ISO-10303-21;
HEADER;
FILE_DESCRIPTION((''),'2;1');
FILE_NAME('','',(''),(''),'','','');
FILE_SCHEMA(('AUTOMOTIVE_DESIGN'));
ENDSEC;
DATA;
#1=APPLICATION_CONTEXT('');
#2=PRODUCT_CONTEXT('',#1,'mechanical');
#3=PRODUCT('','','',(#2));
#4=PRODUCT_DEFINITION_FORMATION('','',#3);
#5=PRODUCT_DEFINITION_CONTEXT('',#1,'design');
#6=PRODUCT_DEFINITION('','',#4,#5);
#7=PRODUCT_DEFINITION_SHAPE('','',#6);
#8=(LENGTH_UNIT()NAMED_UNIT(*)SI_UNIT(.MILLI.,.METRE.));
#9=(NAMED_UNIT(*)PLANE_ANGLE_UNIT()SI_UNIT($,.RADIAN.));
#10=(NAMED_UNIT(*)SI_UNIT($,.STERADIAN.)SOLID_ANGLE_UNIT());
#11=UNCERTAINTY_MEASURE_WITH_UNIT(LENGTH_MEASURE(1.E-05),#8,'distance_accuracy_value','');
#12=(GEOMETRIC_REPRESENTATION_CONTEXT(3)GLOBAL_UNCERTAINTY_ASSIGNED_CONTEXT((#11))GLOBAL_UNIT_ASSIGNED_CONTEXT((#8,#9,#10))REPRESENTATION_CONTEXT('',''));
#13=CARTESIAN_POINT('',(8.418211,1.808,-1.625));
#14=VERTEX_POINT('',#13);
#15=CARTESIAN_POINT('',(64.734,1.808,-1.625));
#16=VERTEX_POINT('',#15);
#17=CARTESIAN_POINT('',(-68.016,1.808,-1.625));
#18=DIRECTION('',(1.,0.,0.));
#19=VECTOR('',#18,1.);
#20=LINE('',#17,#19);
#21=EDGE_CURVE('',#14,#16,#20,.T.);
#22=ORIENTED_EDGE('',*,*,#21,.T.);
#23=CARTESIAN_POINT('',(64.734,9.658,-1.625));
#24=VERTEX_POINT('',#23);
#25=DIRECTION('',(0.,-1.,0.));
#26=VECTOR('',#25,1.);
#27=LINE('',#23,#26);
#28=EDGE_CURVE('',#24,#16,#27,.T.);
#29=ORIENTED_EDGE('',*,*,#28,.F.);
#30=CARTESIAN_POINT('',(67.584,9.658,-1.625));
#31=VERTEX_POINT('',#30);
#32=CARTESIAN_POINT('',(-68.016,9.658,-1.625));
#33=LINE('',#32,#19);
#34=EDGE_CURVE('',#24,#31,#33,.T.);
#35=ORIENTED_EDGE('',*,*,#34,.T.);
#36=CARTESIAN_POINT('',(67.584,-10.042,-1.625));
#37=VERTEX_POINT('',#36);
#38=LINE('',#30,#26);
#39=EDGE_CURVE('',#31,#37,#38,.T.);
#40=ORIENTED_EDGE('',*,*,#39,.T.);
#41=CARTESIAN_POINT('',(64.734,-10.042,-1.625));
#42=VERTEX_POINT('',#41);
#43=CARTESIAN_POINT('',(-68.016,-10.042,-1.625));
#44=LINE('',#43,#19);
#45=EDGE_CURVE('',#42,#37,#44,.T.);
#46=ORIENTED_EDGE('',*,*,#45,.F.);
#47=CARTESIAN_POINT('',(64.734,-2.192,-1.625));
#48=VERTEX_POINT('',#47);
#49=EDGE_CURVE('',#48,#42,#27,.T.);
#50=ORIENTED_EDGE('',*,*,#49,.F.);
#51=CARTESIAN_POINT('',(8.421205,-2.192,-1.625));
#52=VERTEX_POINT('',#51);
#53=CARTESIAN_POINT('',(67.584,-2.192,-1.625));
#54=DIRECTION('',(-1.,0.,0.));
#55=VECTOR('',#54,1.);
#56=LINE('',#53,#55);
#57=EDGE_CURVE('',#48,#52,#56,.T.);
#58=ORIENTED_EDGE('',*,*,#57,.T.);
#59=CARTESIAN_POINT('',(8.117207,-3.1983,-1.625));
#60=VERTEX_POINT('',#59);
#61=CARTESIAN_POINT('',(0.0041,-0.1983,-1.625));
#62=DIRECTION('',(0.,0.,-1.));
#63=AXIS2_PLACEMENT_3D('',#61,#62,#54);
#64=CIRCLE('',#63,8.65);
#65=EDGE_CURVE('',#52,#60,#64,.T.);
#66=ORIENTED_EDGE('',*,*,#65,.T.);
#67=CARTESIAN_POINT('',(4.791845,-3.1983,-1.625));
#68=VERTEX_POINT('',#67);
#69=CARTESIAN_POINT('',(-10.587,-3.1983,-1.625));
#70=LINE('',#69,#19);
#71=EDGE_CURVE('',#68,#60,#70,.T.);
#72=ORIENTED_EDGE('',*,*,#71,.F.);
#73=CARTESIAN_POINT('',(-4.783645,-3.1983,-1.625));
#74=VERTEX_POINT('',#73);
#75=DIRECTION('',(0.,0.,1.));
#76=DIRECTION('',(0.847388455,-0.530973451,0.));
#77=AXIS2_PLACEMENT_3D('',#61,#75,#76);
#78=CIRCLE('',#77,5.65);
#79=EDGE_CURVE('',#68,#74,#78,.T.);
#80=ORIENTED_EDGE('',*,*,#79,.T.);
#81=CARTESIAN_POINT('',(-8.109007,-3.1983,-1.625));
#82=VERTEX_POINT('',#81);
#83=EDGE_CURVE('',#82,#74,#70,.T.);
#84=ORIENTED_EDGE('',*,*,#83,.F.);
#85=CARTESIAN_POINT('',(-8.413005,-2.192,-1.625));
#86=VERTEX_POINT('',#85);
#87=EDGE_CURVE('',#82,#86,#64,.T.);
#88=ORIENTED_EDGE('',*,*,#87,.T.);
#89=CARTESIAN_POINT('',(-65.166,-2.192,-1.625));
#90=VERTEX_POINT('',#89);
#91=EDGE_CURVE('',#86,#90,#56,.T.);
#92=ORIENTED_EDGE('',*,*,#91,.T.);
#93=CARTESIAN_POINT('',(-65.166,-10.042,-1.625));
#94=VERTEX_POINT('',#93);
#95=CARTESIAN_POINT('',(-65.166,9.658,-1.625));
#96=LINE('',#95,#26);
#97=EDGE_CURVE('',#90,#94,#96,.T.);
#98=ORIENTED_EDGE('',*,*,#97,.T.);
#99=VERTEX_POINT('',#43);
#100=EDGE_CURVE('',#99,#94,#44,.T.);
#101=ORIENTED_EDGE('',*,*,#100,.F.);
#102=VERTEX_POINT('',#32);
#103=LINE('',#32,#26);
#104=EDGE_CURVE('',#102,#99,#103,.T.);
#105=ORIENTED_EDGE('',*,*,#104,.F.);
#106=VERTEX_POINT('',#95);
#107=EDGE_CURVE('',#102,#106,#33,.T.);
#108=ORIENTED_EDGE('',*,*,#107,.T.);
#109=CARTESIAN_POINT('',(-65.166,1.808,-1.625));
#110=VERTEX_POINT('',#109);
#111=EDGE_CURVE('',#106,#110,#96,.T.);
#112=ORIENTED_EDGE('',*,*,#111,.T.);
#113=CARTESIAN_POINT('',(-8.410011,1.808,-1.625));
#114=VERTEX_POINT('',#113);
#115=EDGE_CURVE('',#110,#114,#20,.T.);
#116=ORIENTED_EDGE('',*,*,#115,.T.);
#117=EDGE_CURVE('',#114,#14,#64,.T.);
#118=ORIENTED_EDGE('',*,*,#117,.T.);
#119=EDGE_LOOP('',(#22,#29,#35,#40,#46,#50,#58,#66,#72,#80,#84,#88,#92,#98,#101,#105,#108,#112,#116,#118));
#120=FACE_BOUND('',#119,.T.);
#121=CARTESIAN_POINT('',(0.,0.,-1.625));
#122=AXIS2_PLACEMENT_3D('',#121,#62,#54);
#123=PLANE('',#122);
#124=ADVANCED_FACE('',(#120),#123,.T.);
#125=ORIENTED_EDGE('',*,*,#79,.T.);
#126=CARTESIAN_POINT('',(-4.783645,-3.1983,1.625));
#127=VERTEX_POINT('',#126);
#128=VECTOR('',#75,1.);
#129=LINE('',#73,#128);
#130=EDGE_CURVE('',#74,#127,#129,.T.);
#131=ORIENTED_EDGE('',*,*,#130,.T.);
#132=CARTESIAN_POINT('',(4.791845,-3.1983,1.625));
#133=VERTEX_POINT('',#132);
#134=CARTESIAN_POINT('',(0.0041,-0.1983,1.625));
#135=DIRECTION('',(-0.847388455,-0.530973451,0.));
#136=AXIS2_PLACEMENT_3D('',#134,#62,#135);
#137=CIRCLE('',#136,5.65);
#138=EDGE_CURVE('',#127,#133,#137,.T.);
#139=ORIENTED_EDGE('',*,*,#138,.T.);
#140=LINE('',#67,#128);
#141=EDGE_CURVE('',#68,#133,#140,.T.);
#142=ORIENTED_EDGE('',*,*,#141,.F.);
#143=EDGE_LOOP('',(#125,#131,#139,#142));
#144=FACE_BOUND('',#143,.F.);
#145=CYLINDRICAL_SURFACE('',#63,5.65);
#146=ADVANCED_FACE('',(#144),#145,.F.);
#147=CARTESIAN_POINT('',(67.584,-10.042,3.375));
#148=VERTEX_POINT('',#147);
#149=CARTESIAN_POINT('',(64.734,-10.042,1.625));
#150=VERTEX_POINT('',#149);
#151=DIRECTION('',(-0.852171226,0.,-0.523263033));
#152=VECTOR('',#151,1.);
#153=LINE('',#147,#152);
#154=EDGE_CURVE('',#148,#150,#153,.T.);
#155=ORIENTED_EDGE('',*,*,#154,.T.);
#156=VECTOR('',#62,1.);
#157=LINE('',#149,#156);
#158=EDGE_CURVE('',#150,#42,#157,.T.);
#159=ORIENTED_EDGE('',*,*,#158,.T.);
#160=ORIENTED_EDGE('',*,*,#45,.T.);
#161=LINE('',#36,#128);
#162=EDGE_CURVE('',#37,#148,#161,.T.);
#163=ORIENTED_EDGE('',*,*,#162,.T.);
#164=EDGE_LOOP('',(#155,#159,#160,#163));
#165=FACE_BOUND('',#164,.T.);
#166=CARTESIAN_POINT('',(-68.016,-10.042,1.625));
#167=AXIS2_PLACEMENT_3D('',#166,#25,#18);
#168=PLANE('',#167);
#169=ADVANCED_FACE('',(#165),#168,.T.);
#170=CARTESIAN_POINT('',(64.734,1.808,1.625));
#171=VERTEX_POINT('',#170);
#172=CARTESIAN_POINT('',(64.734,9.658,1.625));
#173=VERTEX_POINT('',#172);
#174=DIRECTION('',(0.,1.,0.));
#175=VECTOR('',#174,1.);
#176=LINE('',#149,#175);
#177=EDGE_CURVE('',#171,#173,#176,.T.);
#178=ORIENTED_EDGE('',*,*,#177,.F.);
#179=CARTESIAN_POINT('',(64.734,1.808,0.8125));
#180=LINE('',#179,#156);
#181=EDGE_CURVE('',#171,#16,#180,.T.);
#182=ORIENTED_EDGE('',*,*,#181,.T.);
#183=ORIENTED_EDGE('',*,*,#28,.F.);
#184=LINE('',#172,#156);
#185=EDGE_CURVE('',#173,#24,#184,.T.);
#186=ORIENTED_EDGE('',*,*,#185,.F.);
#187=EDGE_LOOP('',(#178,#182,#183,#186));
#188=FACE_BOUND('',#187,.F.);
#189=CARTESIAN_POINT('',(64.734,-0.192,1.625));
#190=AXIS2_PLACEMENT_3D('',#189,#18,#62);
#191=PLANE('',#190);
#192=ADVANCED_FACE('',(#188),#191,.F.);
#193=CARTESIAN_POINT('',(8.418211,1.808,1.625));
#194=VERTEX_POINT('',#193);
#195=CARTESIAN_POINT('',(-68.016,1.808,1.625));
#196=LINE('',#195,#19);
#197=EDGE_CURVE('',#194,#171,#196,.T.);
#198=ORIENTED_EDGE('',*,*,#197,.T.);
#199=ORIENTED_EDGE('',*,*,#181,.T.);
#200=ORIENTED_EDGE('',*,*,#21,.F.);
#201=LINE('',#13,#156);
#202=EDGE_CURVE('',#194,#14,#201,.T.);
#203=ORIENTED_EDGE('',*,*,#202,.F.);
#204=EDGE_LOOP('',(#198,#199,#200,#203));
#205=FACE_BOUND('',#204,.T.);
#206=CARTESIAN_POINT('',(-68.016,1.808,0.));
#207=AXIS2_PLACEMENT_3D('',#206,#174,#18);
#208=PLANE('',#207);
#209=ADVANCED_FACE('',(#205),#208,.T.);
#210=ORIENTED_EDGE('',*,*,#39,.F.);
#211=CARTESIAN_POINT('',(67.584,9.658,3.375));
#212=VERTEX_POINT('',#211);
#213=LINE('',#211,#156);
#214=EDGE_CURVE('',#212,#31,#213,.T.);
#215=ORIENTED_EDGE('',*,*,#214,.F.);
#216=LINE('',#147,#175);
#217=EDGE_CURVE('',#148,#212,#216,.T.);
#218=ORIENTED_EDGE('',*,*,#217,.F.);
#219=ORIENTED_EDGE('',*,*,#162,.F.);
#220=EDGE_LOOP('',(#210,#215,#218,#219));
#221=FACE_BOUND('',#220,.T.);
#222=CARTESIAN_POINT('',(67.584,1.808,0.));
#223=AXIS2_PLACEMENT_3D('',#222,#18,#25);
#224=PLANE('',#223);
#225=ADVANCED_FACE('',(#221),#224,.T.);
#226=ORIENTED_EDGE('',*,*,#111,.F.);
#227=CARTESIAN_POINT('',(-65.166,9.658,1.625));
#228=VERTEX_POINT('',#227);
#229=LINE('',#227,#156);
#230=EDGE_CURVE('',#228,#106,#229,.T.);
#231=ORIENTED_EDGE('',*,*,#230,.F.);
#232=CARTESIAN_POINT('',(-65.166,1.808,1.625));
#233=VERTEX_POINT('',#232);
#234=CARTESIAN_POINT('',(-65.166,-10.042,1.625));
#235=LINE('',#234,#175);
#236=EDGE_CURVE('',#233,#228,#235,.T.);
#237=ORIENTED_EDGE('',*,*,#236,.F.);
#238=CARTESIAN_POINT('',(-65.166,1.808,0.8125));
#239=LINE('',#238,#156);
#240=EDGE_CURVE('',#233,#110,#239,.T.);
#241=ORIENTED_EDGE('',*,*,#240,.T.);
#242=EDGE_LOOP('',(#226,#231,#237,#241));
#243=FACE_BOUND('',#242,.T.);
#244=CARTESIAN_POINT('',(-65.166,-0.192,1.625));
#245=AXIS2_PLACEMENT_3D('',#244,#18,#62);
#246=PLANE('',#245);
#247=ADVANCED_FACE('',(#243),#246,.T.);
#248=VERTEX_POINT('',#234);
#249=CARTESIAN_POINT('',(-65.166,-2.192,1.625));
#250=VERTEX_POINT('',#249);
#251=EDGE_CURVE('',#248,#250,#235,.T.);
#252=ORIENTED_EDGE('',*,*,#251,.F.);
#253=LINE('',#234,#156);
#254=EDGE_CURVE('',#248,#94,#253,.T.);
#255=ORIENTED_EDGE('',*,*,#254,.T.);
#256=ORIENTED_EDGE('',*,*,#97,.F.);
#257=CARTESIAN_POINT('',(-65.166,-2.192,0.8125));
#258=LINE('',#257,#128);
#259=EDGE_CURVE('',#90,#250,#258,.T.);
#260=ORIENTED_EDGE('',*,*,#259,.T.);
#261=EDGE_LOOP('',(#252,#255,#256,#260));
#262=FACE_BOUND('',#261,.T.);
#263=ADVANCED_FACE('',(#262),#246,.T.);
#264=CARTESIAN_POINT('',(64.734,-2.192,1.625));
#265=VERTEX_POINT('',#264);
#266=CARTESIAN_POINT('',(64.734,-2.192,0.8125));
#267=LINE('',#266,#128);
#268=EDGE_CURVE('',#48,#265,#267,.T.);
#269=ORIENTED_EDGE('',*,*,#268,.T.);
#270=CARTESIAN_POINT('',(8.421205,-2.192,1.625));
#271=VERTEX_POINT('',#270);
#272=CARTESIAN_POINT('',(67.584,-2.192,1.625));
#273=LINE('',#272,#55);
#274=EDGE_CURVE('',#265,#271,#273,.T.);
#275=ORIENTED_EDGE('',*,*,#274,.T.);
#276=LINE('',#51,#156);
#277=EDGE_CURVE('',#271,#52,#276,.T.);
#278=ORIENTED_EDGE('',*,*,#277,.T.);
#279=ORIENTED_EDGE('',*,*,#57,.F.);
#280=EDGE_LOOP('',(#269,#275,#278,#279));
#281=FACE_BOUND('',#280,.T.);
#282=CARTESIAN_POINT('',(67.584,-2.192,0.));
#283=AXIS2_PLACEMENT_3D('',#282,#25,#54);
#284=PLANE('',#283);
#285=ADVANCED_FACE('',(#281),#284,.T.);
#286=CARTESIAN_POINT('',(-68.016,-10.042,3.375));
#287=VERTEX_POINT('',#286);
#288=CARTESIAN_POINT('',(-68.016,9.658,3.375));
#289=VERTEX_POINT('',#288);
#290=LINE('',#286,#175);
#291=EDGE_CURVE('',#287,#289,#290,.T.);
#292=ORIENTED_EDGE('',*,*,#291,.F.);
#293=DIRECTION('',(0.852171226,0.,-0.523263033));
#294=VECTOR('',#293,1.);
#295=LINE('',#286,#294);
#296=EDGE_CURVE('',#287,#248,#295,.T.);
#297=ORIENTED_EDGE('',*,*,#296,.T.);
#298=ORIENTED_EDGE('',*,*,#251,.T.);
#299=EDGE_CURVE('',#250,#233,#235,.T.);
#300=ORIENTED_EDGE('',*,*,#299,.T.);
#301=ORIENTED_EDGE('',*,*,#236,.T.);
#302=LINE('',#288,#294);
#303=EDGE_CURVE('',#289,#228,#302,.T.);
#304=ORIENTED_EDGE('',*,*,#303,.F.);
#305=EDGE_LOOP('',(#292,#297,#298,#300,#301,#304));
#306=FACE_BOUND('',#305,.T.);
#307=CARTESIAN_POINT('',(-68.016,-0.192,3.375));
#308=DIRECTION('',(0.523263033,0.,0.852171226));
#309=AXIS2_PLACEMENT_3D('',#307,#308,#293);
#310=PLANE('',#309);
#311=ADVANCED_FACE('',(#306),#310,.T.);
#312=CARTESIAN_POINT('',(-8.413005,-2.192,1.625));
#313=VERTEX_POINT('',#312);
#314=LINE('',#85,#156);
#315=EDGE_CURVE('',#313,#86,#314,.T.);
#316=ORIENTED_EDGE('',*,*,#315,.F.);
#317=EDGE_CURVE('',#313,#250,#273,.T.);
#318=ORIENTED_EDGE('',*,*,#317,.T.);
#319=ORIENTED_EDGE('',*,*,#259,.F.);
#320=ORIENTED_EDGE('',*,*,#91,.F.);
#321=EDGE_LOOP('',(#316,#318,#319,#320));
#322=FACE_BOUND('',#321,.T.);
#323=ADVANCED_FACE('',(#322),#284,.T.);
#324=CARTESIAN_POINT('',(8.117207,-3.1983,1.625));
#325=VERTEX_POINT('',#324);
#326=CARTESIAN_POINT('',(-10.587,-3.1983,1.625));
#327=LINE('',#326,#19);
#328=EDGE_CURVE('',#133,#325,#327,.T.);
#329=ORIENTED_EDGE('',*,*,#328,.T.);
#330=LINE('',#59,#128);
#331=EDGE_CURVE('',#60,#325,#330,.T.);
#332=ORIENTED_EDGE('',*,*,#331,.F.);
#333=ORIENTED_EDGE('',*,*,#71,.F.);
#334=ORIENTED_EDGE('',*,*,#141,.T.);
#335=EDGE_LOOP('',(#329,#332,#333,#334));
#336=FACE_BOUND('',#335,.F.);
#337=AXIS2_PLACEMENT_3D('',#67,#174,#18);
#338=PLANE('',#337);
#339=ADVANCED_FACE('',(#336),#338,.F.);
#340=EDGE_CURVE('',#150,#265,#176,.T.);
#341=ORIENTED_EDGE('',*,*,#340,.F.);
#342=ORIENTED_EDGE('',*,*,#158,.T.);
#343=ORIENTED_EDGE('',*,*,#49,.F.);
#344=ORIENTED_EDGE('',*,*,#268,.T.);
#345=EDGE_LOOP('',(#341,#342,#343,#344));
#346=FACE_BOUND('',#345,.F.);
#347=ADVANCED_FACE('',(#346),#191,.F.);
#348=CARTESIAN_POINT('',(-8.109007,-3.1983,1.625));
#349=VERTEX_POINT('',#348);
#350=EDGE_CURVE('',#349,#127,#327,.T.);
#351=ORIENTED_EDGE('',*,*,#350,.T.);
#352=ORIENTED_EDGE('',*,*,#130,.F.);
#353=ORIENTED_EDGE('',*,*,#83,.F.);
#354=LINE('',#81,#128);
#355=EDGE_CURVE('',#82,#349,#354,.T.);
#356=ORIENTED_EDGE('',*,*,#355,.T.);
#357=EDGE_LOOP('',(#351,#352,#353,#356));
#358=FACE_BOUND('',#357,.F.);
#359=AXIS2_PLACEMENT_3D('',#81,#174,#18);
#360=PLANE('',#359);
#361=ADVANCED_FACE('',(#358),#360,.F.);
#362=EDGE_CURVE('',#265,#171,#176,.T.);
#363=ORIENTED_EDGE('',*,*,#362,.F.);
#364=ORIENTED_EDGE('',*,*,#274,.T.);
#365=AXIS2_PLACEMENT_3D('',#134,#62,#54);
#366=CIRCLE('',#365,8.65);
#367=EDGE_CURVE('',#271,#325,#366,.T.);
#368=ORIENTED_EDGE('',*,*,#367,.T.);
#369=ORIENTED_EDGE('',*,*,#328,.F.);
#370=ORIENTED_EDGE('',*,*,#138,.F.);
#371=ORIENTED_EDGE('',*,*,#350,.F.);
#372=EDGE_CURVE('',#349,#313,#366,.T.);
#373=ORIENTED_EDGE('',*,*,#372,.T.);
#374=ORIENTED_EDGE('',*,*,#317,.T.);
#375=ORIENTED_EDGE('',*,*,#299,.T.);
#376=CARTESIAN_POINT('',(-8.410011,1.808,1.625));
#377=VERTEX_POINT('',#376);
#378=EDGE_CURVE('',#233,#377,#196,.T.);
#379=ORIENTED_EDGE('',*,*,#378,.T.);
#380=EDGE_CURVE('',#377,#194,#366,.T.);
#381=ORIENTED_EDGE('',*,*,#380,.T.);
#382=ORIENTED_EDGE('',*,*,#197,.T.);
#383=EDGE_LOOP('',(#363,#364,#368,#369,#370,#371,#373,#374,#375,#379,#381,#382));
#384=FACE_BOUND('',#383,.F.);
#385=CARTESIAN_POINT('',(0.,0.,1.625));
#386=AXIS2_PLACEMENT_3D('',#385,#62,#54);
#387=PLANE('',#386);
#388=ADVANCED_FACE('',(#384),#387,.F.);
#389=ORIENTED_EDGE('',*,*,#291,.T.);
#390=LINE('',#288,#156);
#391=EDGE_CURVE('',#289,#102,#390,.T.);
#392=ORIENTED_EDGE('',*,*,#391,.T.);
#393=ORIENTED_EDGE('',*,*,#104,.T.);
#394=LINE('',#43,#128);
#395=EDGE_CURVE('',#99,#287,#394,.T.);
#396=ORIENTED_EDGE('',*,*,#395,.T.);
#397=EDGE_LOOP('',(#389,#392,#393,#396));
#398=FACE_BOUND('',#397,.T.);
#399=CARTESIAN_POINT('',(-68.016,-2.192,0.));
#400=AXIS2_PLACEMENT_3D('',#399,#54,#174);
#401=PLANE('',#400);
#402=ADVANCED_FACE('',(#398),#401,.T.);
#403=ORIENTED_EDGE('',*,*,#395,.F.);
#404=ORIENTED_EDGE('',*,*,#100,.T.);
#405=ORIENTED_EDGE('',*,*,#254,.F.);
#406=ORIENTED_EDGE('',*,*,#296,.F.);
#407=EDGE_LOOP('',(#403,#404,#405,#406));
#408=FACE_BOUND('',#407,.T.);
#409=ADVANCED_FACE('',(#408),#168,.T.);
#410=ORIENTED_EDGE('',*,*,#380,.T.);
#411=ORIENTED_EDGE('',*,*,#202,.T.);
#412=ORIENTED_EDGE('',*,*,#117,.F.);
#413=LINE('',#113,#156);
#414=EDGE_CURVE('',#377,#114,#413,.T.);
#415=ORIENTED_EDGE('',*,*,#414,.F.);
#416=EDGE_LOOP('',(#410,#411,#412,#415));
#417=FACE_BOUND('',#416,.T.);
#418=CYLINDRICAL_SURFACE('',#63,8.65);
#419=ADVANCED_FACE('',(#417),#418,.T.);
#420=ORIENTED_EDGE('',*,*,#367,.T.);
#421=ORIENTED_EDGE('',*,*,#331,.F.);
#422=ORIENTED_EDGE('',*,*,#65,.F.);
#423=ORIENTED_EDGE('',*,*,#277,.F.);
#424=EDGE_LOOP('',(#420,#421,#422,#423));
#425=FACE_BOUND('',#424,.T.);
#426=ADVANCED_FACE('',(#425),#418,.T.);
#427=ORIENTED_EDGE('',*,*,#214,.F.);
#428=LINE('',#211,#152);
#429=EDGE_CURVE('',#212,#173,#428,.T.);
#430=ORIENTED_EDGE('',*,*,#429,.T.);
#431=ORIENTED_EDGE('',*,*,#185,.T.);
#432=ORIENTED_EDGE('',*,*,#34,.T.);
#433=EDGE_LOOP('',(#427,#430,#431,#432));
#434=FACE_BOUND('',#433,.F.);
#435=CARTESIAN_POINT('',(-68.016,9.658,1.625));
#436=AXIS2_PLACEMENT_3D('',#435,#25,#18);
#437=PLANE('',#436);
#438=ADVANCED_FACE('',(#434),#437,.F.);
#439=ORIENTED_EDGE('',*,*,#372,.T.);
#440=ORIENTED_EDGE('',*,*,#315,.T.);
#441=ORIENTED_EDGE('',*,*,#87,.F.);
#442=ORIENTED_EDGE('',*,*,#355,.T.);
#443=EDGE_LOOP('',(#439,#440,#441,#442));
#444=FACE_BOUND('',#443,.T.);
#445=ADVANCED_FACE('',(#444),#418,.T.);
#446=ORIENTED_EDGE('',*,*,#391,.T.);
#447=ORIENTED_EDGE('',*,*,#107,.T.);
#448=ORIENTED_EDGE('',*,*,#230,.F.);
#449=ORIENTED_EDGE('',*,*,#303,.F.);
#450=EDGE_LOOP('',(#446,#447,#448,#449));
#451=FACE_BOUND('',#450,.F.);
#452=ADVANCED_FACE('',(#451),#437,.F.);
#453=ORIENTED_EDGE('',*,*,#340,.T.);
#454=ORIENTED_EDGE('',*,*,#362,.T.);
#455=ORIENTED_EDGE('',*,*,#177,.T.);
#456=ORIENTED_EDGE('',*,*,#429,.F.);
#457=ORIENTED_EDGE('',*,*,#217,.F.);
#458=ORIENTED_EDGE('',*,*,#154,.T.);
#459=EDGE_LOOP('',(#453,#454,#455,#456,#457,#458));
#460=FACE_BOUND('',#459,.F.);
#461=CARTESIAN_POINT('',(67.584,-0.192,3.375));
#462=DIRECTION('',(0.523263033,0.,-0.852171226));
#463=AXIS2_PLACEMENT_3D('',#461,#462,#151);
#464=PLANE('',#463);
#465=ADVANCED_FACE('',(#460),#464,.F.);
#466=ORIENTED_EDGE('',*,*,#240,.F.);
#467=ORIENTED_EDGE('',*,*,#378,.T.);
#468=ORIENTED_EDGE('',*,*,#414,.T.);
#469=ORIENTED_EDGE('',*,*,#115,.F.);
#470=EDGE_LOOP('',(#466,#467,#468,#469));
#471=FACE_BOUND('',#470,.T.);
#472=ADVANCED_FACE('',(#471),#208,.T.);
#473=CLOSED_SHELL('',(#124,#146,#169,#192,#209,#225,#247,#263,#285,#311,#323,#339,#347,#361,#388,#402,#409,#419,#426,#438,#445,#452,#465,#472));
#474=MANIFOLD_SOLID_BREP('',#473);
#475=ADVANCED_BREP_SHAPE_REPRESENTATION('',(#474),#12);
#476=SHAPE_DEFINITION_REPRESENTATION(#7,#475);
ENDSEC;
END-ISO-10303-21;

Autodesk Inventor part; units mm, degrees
ref_plane "YZ Plane" through (0, 0, 0) normal (1, 0, 0) x (0, 1, 0)
ref_plane "XZ Plane" through (0, 0, 0) normal (0, 1, 0) x (-1, 0, 0)
ref_plane "XY Plane" through (0, 0, 0) normal (0, 0, 1) x (1, 0, 0)
sketch "Skizze1" plane through (0, 0, 0) normal (0, 0, 1) x (1, 0, 0)
  line L0 (-68.016, 1.808) -> (67.584, 1.808)
  line L1 (67.584, 1.808) -> (67.584, -2.192)
  line L2 (67.584, -2.192) -> (-68.016, -2.192)
  line L3 (-68.016, -2.192) -> (-68.016, 1.808)
  line L4 (-68.016, 1.808) -> (67.584, -2.192) construction
  line L5 (67.584, 1.808) -> (-68.016, -2.192) construction
  point P0 (0, 0)
  point P1 (-0.216, -0.192)
  point P2 (-0.216, -0.192)
  dimension "d0" = 135.6
  dimension "d1" = 4
extrude "Extrusion1" add sketch "Skizze1" along normal mid plane 3.25
ref_plane "Arbeitsebene1" through (-68.016, -0.192, 1.625) normal (0, -1, 0) x (1, 0, 0)
sketch "Skizze2" plane through (-68.016, -0.192, 1.625) normal (0, -1, 0) x (1, 0, 0)
  line L0 (0, -3.25) -> (0, 0) projected
  line L1 (0, -3.25) -> (135.6, -3.25) projected
  line L2 (0, 0) -> (2.85, 0)
  line L3 (2.85, 0) -> (2.85, -3.25)
  line L4 (2.85, -3.25) -> (0, -3.25)
  line L5 (0, -3.25) -> (0, 0)
  line L6 (0, 0) -> (0, 1.75)
  line L7 (0, 1.75) -> (2.85, 0)
  line L8 (135.6, -3.25) -> (135.6, 0) projected
  line L9 (135.6, 0) -> (132.75, 0)
  line L10 (132.75, 0) -> (132.75, -3.25)
  line L11 (132.75, -3.25) -> (135.6, -3.25)
  line L12 (135.6, -3.25) -> (135.6, 0)
  line L13 (135.6, 0) -> (135.6, 1.75)
  line L14 (135.6, 1.75) -> (132.75, 0)
  point P0 (68.016, -1.625)
  dimension "d4" = 2.85
  dimension "d5" = 1.75
  dimension "d6" = 2.85
extrude "Extrusion2" add sketch "Skizze2" along normal mid plane 19.7
sketch "Skizze3" plane through (0, 0, 1.625) normal (0, 0, 1) x (1, 0, 0)
  circle A0 centre (0, 0) radius 7.575
  dimension "d9" = 15.15
extrude "Extrusion3" cut sketch "Skizze3" against normal through all
sketch "Skizze4" plane through (0, 0, -1.625) normal (0, 0, -1) x (-1, 0, 0)
  circle A0 centre (-0.0041, -0.1983) radius 8.65
  circle A1 centre (-0.0041, -0.1983) radius 5.65
  line L0 (10.587, -3.1983) -> (-10.6177, -3.1983)
  point P0 (-0.0041, -0.1983)
  point P1 (-8.1172, -3.1983)
  point P2 (-4.7918, -3.1983)
  point P3 (4.7837, -3.1983)
  point P4 (8.109, -3.1983)
  dimension "d27" = 11.3
  dimension "d28" = 17.3
  dimension "d29" = 3
extrude "Extrusion4" add sketch "Skizze4" against normal blind 3.25 contours A0 L0 A1 picked at (7.4994, 0.9742)
equation "\"d28\" = d30"
equation "\"d30\" = 17.3"
properties part number "2024_08_23_Holder_GC_vial"
